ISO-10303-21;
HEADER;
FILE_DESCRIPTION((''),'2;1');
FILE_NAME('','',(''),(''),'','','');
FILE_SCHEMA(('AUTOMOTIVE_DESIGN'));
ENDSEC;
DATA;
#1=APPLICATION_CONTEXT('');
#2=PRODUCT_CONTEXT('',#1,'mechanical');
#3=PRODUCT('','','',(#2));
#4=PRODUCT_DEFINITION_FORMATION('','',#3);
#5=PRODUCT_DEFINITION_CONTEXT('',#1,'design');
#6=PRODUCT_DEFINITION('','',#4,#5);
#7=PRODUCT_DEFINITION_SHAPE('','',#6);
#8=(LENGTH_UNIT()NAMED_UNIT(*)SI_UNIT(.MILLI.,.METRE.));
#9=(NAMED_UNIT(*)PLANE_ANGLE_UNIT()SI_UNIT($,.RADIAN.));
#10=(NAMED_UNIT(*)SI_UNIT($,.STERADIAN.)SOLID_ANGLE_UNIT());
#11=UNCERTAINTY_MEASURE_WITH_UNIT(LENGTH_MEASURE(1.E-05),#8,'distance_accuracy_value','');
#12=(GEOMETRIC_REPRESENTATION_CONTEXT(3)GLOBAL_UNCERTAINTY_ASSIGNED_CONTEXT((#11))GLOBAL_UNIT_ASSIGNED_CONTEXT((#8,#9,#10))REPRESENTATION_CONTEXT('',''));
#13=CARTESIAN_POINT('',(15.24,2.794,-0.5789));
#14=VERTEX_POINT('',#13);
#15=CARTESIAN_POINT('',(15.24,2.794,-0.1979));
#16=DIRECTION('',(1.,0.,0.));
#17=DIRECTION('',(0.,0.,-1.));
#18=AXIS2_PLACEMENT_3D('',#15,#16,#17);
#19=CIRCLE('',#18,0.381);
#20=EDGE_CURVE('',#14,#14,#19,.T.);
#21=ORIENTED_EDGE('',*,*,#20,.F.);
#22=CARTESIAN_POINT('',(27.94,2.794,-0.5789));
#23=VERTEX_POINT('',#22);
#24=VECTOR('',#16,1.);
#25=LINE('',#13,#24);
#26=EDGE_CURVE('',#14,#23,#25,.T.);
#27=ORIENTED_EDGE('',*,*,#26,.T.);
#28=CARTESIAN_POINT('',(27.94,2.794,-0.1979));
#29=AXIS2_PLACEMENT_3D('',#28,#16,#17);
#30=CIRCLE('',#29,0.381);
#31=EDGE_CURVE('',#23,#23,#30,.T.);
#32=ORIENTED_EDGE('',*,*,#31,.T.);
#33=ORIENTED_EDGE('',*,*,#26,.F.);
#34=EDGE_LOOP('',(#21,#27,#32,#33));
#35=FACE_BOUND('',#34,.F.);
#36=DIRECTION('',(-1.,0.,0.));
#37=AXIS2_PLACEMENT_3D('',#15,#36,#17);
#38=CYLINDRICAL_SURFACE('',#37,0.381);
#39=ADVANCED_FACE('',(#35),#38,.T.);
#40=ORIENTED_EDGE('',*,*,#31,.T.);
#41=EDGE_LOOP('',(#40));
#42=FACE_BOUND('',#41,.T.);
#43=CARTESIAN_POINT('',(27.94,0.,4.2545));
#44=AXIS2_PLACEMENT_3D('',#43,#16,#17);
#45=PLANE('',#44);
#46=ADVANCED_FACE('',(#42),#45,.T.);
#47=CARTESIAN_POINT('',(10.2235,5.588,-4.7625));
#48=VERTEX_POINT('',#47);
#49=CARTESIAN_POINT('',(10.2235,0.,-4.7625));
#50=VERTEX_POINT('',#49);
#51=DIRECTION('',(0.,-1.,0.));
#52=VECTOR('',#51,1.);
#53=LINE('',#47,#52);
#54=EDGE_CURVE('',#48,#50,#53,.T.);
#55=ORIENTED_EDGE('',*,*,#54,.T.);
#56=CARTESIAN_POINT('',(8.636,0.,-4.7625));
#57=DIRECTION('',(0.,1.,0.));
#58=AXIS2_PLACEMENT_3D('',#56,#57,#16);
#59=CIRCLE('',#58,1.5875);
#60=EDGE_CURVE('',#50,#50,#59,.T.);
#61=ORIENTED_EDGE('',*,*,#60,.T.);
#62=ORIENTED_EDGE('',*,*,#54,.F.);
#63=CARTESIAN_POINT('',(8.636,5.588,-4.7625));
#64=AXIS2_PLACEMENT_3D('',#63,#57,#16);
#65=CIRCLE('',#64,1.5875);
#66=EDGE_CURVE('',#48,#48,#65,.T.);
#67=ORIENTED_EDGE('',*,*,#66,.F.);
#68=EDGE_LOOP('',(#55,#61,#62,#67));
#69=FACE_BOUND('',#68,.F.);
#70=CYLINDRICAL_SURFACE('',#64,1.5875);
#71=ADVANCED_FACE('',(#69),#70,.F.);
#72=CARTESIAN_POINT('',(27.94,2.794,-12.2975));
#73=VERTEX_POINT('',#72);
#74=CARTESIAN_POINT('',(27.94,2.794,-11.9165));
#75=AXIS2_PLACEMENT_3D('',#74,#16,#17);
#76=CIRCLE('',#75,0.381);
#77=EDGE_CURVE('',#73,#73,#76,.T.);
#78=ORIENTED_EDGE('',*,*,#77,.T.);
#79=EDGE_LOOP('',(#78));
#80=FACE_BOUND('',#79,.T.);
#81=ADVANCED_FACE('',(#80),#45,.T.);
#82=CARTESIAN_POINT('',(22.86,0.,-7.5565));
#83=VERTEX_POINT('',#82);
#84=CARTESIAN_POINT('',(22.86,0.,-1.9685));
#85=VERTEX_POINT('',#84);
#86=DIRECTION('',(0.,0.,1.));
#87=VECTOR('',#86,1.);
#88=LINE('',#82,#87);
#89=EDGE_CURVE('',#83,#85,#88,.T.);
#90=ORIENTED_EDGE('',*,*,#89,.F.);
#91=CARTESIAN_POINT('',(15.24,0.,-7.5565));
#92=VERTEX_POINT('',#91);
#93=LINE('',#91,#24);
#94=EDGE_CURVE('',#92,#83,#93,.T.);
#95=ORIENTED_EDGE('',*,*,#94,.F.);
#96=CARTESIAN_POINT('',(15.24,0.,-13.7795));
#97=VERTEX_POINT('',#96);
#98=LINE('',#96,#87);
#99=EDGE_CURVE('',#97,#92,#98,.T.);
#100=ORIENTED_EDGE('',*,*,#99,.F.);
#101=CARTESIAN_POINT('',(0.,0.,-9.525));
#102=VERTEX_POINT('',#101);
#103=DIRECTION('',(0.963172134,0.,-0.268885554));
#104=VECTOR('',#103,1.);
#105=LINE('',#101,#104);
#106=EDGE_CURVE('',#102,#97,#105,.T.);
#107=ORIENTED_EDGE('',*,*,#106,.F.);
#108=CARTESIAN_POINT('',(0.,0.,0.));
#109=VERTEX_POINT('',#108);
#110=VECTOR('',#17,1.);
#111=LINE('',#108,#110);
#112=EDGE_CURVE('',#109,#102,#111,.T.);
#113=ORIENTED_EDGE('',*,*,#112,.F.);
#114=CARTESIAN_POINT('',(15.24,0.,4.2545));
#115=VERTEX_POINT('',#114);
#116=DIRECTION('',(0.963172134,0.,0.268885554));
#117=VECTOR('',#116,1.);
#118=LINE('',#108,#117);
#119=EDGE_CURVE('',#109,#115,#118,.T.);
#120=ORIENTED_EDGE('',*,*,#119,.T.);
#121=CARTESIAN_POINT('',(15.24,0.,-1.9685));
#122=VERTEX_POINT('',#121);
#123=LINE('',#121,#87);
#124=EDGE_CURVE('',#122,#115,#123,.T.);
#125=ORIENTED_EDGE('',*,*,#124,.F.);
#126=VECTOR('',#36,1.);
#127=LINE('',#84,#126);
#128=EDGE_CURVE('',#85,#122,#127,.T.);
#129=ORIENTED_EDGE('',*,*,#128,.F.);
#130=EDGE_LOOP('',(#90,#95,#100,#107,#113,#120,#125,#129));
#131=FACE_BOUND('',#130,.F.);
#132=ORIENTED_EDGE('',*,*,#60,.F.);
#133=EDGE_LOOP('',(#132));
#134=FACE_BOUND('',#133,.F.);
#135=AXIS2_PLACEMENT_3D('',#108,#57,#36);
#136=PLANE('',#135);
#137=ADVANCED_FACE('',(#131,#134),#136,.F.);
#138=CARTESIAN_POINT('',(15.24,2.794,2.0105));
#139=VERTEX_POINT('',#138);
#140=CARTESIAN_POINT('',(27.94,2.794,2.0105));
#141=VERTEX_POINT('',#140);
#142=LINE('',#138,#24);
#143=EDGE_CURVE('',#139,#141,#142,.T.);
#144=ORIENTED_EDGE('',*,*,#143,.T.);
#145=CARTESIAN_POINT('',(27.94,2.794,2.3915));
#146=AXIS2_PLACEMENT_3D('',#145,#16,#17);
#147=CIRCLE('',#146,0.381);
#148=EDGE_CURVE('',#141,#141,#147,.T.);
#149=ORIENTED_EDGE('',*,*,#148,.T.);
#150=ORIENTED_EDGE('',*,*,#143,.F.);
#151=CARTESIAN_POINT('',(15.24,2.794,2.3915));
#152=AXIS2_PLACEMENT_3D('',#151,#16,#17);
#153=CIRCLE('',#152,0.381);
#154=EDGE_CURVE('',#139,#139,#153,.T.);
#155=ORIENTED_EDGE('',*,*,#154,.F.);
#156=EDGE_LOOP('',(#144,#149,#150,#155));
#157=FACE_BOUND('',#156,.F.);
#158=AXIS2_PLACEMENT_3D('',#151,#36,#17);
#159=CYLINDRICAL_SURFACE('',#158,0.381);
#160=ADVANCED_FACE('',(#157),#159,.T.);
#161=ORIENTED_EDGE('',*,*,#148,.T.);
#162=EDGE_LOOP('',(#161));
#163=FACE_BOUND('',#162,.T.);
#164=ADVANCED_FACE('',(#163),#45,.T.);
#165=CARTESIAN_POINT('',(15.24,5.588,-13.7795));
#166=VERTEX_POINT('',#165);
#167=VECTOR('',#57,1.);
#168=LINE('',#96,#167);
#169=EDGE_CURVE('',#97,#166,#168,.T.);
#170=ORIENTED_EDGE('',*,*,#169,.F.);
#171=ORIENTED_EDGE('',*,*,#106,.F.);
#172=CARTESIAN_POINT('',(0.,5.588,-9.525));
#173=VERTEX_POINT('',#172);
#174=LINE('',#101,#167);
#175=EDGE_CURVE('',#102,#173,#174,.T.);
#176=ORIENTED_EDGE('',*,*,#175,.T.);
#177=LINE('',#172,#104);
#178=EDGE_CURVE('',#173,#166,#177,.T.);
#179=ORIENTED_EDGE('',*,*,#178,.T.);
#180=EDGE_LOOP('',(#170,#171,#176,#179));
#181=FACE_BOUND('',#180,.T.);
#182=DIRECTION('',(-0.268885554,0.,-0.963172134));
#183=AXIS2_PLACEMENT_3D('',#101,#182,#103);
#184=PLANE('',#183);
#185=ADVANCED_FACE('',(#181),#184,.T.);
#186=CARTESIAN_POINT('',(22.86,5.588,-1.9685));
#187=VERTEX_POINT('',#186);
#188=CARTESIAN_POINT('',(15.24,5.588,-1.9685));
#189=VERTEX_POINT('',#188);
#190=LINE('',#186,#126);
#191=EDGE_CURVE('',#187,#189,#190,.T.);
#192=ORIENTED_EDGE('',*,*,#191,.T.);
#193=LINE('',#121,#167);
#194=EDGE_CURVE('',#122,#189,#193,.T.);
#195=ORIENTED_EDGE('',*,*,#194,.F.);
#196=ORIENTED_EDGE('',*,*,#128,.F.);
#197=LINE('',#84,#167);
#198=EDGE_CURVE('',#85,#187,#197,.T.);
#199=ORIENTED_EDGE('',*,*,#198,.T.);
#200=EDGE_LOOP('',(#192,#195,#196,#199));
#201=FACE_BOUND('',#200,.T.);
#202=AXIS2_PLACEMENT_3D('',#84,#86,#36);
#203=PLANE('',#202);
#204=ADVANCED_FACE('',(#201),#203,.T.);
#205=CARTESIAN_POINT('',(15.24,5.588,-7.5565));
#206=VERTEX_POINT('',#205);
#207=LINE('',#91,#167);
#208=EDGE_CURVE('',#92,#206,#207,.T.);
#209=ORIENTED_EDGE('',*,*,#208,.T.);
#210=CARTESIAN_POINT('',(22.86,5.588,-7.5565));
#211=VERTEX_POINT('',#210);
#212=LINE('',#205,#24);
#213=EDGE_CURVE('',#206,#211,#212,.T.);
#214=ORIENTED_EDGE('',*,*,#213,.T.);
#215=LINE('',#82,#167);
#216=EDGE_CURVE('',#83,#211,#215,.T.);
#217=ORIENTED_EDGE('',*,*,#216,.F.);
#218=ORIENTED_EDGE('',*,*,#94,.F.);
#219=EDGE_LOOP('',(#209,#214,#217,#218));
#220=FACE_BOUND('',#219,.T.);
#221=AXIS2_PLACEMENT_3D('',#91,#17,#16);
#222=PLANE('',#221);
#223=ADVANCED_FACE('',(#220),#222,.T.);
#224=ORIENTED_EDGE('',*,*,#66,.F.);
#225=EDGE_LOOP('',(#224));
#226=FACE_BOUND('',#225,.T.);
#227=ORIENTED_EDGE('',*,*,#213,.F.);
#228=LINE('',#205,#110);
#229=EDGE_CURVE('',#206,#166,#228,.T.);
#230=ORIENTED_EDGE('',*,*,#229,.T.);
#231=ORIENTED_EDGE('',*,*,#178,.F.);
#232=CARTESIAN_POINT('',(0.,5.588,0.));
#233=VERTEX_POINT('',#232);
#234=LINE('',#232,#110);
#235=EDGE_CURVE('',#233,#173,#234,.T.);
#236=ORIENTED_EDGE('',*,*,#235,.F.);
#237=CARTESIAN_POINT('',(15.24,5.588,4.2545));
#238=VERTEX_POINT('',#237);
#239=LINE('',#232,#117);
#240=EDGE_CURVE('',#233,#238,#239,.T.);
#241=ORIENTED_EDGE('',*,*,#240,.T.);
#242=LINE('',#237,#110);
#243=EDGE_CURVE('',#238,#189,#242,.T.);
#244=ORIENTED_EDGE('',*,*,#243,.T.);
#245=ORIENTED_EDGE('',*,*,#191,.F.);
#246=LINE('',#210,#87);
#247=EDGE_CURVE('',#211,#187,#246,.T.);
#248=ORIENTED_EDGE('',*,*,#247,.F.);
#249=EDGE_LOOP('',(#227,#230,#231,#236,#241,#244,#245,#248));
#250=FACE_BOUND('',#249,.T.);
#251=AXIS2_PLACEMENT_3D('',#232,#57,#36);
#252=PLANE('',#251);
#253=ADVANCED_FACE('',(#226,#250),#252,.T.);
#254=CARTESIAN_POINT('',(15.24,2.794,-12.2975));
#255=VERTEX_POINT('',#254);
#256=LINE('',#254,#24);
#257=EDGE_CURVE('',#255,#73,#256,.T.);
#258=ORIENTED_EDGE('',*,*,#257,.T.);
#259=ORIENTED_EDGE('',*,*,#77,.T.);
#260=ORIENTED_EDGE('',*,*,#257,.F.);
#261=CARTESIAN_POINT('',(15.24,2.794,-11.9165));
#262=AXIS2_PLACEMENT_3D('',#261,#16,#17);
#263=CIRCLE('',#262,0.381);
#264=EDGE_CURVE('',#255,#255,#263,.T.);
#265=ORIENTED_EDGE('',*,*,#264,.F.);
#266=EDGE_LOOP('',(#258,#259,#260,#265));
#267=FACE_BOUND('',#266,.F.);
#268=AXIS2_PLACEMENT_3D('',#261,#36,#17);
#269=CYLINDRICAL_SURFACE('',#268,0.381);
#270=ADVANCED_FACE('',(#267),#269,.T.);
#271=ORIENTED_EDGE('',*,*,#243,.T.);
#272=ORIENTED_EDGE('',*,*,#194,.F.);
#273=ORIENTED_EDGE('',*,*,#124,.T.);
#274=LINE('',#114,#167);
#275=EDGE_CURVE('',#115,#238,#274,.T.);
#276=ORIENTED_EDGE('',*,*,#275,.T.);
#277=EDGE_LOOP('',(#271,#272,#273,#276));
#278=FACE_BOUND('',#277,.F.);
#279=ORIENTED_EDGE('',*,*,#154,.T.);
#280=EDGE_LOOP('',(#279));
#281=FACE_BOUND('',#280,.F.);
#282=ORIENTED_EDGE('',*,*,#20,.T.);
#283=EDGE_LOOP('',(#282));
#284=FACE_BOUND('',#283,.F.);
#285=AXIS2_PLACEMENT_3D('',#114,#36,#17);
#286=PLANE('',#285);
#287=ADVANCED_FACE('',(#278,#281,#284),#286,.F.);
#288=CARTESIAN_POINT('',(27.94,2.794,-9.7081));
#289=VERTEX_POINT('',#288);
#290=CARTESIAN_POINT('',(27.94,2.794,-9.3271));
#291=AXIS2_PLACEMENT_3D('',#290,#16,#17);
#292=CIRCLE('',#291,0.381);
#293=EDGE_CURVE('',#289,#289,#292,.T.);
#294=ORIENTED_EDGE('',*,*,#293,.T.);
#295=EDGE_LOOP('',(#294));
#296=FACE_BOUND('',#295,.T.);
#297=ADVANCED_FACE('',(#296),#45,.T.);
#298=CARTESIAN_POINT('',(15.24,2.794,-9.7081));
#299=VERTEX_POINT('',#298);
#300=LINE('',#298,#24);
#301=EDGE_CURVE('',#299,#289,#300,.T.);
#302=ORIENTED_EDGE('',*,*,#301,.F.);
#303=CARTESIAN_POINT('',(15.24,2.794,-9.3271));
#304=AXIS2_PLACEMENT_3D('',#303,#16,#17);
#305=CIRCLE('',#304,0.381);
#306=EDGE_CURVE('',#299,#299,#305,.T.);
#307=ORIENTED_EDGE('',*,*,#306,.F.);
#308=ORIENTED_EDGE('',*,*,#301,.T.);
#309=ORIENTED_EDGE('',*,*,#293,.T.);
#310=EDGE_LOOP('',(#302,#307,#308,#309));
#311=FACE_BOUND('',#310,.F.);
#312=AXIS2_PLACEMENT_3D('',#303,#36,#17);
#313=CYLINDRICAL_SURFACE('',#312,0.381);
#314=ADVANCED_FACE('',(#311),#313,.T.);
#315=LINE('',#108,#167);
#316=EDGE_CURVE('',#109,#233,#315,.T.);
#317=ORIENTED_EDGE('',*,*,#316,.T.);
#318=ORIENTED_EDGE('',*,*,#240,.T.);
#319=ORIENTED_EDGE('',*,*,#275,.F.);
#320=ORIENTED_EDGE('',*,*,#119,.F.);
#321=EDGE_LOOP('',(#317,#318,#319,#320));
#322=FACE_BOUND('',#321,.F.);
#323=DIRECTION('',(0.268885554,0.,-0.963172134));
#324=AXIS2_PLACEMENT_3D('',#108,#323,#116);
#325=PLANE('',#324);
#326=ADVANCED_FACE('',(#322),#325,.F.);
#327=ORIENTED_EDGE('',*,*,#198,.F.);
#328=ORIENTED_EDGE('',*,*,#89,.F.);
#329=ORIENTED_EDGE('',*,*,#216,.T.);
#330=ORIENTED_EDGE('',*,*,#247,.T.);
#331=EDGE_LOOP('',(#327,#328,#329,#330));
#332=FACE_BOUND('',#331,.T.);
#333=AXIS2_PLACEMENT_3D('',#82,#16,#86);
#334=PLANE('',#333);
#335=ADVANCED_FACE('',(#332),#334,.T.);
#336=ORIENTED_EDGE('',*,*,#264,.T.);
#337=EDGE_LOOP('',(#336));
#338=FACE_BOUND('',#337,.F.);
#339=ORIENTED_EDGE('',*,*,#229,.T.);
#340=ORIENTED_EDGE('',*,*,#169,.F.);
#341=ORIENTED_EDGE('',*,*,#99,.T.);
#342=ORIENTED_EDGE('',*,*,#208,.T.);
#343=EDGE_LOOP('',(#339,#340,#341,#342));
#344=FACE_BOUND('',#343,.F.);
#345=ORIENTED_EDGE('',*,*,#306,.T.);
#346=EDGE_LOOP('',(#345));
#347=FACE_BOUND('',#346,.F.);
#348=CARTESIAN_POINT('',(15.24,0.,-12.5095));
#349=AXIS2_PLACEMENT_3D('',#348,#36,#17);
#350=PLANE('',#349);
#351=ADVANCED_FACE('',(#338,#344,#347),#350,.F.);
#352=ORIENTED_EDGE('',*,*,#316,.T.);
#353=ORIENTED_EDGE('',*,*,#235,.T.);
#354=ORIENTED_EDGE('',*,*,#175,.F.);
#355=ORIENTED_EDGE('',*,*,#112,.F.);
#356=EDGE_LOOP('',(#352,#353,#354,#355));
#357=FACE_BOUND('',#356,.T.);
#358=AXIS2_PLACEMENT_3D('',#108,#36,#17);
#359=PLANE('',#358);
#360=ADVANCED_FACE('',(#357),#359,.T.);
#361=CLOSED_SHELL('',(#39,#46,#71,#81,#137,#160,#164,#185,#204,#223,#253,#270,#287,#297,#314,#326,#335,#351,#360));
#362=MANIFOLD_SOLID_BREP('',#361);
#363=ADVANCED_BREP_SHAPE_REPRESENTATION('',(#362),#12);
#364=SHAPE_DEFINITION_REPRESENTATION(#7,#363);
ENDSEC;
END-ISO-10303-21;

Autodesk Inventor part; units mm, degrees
ref_plane "YZ Plane" through (0, 0, 0) normal (1, 0, 0) x (0, 1, 0)
ref_plane "XZ Plane" through (0, 0, 0) normal (0, 1, 0) x (-1, 0, 0)
sketch "Sketch1" plane through (0, 0, 0) normal (0, 1, 0) x (-1, 0, 0)
  line L0 (0, 0) -> (0, -9.525)
  line L1 (-15.24, 4.2545) -> (-15.24, -13.7795)
  line L2 (0, 0) -> (-15.24, 4.2545)
  line L3 (0, -9.525) -> (-15.24, -13.7795)
  line L4 (-15.24, 4.2545) -> (-19.05, 4.2545)
  line L5 (-19.05, 4.2545) -> (-19.05, 2.9845)
  line L6 (-19.05, 2.9845) -> (-15.24, 2.9845)
  line L7 (-15.24, 2.9845) -> (-15.24, 4.2545)
  line L8 (-15.24, -13.7795) -> (-19.05, -13.7795)
  line L9 (-19.05, -13.7795) -> (-19.05, -12.5095)
  line L10 (-19.05, -12.5095) -> (-15.24, -12.5095)
  line L11 (-15.24, -12.5095) -> (-15.24, -13.7795)
  line L12 (0, 0) -> (0, 3.175)
  line L13 (-15.24, 4.2545) -> (-15.24, 7.4295)
  line L14 (0, -9.525) -> (0, -12.7)
  line L15 (-15.24, -13.7795) -> (-15.24, -16.9545)
  line L16 (-15.24, -16.9545) -> (0, -12.7)
  line L17 (0, 3.175) -> (-15.24, 7.4295)
  line L18 (-15.24, 7.4295) -> (-34.29, 7.4295)
  line L19 (-19.05, 4.2545) -> (-34.29, 4.2545)
  line L20 (-34.29, 4.2545) -> (-34.29, 7.4295)
  line L21 (-15.24, -16.9545) -> (-34.29, -16.9545)
  line L22 (-34.29, -16.9545) -> (-34.29, -13.7795)
  line L23 (-34.29, -13.7795) -> (-19.05, -13.7795)
  line L24 (-34.29, 7.4295) -> (-37.465, 7.4295)
  line L25 (-37.465, 7.4295) -> (-37.465, -17.5895)
  line L26 (-37.465, -17.5895) -> (-34.29, -17.5895)
  line L27 (-34.29, -17.5895) -> (-34.29, 7.4295)
  line L28 (-15.24, -13.7795) -> (-34.29, -13.7795)
  line L29 (-34.29, -13.7795) -> (-34.29, 4.2545)
  line L30 (-34.29, 4.2545) -> (-15.24, 4.2545)
  line L31 (-15.24, 4.2545) -> (-15.24, -13.7795)
  line L32 (-15.24, 4.2545) -> (-34.29, 4.2545)
  line L33 (-34.29, 4.2545) -> (-34.29, 7.4295)
  line L34 (-34.29, 7.4295) -> (-15.24, 7.4295)
  line L35 (-15.24, 7.4295) -> (-15.24, 4.2545)
  line L36 (-15.24, -7.5565) -> (-22.86, -7.5565)
  line L37 (-22.86, -7.5565) -> (-22.86, -1.9685)
  line L38 (-22.86, -1.9685) -> (-15.24, -1.9685)
  line L39 (-15.24, -1.9685) -> (-15.24, -7.5565)
  dimension "d0" = 9.525
  dimension "d1" = 15.24
  dimension "d2" = 18.034
  dimension "d3" = 4.2545
  dimension "d4" = 3.81
  dimension "d5" = 1.27
  dimension "d6" = 3.81
  dimension "d7" = 1.27
  dimension "d8" = 3.175
  dimension "d9" = 3.175
  dimension "d10" = 3.175
  dimension "d11" = 3.175
  dimension "d12" = 19.05
  dimension "d13" = 3.175
  dimension "d30" = 7.62
  dimension "d31" = 5.588
  dimension "d32" = 6.223
extrude "Extrusion6" add sketch "Sketch1" along normal blind 5.588 contours L0 L3 L1 L2 | L1 L36 L37 L38
sketch "Sketch5" plane through (0, 5.588, 0) normal (0, 1, 0) x (1, 0, 0)
  circle A0 centre (8.636, 4.7625) radius 1.5875
  line L0 (0, 9.525) -> (0, 0) projected
  dimension "d35" = 3.175
  dimension "d36" = 8.636
extrude "Extrusion7" cut sketch "Sketch5" against normal blind 5.588
sketch "Sketch6" plane through (15.24, 0, 4.2545) normal (1, 0, 0) x (0, 0, -1)
  line L0 (6.223, 0) -> (6.223, 5.588) projected
  line L1 (0, 5.588) -> (6.223, 5.588) projected
  line L2 (0, 0) -> (0, 5.588) projected
  line L3 (0, 0) -> (6.223, 0) projected
  line L4 (11.811, 5.588) -> (11.811, 0) projected
  line L5 (11.811, 0) -> (18.034, 0) projected
  line L6 (18.034, 0) -> (18.034, 5.588) projected
  line L7 (11.811, 5.588) -> (18.034, 5.588) projected
  circle A0 centre (1.863, 2.794) radius 0.381
  circle A1 centre (4.4524, 2.794) radius 0.381
  line L8 (6.223, 5.588) -> (11.811, 5.588) projected
  line L9 (9.017, 5.588) -> (9.017, 8.4963)
  circle A2 centre (16.171, 2.794) radius 0.381
  circle A3 centre (13.5816, 2.794) radius 0.381
  point P0 (4.2545, 0)
  dimension "d39" = 0.762
  dimension "d40" = 0.762
extrude "Extrusion8" add sketch "Sketch6" along normal blind 12.7 contours A0 | A1 | A2 | A3
ref_plane "Work Plane1" through (15.24, 0, -4.7625) normal (0, 0, 1) x (1, 0, 0)
equation "\"d3\" = -0.5 * d0 + 0.5 * d2"
equation "\"d32\" = -0.5 * d31 + 0.5 * d2"
properties part number "photoTransistor" material "ABS Plastic"
